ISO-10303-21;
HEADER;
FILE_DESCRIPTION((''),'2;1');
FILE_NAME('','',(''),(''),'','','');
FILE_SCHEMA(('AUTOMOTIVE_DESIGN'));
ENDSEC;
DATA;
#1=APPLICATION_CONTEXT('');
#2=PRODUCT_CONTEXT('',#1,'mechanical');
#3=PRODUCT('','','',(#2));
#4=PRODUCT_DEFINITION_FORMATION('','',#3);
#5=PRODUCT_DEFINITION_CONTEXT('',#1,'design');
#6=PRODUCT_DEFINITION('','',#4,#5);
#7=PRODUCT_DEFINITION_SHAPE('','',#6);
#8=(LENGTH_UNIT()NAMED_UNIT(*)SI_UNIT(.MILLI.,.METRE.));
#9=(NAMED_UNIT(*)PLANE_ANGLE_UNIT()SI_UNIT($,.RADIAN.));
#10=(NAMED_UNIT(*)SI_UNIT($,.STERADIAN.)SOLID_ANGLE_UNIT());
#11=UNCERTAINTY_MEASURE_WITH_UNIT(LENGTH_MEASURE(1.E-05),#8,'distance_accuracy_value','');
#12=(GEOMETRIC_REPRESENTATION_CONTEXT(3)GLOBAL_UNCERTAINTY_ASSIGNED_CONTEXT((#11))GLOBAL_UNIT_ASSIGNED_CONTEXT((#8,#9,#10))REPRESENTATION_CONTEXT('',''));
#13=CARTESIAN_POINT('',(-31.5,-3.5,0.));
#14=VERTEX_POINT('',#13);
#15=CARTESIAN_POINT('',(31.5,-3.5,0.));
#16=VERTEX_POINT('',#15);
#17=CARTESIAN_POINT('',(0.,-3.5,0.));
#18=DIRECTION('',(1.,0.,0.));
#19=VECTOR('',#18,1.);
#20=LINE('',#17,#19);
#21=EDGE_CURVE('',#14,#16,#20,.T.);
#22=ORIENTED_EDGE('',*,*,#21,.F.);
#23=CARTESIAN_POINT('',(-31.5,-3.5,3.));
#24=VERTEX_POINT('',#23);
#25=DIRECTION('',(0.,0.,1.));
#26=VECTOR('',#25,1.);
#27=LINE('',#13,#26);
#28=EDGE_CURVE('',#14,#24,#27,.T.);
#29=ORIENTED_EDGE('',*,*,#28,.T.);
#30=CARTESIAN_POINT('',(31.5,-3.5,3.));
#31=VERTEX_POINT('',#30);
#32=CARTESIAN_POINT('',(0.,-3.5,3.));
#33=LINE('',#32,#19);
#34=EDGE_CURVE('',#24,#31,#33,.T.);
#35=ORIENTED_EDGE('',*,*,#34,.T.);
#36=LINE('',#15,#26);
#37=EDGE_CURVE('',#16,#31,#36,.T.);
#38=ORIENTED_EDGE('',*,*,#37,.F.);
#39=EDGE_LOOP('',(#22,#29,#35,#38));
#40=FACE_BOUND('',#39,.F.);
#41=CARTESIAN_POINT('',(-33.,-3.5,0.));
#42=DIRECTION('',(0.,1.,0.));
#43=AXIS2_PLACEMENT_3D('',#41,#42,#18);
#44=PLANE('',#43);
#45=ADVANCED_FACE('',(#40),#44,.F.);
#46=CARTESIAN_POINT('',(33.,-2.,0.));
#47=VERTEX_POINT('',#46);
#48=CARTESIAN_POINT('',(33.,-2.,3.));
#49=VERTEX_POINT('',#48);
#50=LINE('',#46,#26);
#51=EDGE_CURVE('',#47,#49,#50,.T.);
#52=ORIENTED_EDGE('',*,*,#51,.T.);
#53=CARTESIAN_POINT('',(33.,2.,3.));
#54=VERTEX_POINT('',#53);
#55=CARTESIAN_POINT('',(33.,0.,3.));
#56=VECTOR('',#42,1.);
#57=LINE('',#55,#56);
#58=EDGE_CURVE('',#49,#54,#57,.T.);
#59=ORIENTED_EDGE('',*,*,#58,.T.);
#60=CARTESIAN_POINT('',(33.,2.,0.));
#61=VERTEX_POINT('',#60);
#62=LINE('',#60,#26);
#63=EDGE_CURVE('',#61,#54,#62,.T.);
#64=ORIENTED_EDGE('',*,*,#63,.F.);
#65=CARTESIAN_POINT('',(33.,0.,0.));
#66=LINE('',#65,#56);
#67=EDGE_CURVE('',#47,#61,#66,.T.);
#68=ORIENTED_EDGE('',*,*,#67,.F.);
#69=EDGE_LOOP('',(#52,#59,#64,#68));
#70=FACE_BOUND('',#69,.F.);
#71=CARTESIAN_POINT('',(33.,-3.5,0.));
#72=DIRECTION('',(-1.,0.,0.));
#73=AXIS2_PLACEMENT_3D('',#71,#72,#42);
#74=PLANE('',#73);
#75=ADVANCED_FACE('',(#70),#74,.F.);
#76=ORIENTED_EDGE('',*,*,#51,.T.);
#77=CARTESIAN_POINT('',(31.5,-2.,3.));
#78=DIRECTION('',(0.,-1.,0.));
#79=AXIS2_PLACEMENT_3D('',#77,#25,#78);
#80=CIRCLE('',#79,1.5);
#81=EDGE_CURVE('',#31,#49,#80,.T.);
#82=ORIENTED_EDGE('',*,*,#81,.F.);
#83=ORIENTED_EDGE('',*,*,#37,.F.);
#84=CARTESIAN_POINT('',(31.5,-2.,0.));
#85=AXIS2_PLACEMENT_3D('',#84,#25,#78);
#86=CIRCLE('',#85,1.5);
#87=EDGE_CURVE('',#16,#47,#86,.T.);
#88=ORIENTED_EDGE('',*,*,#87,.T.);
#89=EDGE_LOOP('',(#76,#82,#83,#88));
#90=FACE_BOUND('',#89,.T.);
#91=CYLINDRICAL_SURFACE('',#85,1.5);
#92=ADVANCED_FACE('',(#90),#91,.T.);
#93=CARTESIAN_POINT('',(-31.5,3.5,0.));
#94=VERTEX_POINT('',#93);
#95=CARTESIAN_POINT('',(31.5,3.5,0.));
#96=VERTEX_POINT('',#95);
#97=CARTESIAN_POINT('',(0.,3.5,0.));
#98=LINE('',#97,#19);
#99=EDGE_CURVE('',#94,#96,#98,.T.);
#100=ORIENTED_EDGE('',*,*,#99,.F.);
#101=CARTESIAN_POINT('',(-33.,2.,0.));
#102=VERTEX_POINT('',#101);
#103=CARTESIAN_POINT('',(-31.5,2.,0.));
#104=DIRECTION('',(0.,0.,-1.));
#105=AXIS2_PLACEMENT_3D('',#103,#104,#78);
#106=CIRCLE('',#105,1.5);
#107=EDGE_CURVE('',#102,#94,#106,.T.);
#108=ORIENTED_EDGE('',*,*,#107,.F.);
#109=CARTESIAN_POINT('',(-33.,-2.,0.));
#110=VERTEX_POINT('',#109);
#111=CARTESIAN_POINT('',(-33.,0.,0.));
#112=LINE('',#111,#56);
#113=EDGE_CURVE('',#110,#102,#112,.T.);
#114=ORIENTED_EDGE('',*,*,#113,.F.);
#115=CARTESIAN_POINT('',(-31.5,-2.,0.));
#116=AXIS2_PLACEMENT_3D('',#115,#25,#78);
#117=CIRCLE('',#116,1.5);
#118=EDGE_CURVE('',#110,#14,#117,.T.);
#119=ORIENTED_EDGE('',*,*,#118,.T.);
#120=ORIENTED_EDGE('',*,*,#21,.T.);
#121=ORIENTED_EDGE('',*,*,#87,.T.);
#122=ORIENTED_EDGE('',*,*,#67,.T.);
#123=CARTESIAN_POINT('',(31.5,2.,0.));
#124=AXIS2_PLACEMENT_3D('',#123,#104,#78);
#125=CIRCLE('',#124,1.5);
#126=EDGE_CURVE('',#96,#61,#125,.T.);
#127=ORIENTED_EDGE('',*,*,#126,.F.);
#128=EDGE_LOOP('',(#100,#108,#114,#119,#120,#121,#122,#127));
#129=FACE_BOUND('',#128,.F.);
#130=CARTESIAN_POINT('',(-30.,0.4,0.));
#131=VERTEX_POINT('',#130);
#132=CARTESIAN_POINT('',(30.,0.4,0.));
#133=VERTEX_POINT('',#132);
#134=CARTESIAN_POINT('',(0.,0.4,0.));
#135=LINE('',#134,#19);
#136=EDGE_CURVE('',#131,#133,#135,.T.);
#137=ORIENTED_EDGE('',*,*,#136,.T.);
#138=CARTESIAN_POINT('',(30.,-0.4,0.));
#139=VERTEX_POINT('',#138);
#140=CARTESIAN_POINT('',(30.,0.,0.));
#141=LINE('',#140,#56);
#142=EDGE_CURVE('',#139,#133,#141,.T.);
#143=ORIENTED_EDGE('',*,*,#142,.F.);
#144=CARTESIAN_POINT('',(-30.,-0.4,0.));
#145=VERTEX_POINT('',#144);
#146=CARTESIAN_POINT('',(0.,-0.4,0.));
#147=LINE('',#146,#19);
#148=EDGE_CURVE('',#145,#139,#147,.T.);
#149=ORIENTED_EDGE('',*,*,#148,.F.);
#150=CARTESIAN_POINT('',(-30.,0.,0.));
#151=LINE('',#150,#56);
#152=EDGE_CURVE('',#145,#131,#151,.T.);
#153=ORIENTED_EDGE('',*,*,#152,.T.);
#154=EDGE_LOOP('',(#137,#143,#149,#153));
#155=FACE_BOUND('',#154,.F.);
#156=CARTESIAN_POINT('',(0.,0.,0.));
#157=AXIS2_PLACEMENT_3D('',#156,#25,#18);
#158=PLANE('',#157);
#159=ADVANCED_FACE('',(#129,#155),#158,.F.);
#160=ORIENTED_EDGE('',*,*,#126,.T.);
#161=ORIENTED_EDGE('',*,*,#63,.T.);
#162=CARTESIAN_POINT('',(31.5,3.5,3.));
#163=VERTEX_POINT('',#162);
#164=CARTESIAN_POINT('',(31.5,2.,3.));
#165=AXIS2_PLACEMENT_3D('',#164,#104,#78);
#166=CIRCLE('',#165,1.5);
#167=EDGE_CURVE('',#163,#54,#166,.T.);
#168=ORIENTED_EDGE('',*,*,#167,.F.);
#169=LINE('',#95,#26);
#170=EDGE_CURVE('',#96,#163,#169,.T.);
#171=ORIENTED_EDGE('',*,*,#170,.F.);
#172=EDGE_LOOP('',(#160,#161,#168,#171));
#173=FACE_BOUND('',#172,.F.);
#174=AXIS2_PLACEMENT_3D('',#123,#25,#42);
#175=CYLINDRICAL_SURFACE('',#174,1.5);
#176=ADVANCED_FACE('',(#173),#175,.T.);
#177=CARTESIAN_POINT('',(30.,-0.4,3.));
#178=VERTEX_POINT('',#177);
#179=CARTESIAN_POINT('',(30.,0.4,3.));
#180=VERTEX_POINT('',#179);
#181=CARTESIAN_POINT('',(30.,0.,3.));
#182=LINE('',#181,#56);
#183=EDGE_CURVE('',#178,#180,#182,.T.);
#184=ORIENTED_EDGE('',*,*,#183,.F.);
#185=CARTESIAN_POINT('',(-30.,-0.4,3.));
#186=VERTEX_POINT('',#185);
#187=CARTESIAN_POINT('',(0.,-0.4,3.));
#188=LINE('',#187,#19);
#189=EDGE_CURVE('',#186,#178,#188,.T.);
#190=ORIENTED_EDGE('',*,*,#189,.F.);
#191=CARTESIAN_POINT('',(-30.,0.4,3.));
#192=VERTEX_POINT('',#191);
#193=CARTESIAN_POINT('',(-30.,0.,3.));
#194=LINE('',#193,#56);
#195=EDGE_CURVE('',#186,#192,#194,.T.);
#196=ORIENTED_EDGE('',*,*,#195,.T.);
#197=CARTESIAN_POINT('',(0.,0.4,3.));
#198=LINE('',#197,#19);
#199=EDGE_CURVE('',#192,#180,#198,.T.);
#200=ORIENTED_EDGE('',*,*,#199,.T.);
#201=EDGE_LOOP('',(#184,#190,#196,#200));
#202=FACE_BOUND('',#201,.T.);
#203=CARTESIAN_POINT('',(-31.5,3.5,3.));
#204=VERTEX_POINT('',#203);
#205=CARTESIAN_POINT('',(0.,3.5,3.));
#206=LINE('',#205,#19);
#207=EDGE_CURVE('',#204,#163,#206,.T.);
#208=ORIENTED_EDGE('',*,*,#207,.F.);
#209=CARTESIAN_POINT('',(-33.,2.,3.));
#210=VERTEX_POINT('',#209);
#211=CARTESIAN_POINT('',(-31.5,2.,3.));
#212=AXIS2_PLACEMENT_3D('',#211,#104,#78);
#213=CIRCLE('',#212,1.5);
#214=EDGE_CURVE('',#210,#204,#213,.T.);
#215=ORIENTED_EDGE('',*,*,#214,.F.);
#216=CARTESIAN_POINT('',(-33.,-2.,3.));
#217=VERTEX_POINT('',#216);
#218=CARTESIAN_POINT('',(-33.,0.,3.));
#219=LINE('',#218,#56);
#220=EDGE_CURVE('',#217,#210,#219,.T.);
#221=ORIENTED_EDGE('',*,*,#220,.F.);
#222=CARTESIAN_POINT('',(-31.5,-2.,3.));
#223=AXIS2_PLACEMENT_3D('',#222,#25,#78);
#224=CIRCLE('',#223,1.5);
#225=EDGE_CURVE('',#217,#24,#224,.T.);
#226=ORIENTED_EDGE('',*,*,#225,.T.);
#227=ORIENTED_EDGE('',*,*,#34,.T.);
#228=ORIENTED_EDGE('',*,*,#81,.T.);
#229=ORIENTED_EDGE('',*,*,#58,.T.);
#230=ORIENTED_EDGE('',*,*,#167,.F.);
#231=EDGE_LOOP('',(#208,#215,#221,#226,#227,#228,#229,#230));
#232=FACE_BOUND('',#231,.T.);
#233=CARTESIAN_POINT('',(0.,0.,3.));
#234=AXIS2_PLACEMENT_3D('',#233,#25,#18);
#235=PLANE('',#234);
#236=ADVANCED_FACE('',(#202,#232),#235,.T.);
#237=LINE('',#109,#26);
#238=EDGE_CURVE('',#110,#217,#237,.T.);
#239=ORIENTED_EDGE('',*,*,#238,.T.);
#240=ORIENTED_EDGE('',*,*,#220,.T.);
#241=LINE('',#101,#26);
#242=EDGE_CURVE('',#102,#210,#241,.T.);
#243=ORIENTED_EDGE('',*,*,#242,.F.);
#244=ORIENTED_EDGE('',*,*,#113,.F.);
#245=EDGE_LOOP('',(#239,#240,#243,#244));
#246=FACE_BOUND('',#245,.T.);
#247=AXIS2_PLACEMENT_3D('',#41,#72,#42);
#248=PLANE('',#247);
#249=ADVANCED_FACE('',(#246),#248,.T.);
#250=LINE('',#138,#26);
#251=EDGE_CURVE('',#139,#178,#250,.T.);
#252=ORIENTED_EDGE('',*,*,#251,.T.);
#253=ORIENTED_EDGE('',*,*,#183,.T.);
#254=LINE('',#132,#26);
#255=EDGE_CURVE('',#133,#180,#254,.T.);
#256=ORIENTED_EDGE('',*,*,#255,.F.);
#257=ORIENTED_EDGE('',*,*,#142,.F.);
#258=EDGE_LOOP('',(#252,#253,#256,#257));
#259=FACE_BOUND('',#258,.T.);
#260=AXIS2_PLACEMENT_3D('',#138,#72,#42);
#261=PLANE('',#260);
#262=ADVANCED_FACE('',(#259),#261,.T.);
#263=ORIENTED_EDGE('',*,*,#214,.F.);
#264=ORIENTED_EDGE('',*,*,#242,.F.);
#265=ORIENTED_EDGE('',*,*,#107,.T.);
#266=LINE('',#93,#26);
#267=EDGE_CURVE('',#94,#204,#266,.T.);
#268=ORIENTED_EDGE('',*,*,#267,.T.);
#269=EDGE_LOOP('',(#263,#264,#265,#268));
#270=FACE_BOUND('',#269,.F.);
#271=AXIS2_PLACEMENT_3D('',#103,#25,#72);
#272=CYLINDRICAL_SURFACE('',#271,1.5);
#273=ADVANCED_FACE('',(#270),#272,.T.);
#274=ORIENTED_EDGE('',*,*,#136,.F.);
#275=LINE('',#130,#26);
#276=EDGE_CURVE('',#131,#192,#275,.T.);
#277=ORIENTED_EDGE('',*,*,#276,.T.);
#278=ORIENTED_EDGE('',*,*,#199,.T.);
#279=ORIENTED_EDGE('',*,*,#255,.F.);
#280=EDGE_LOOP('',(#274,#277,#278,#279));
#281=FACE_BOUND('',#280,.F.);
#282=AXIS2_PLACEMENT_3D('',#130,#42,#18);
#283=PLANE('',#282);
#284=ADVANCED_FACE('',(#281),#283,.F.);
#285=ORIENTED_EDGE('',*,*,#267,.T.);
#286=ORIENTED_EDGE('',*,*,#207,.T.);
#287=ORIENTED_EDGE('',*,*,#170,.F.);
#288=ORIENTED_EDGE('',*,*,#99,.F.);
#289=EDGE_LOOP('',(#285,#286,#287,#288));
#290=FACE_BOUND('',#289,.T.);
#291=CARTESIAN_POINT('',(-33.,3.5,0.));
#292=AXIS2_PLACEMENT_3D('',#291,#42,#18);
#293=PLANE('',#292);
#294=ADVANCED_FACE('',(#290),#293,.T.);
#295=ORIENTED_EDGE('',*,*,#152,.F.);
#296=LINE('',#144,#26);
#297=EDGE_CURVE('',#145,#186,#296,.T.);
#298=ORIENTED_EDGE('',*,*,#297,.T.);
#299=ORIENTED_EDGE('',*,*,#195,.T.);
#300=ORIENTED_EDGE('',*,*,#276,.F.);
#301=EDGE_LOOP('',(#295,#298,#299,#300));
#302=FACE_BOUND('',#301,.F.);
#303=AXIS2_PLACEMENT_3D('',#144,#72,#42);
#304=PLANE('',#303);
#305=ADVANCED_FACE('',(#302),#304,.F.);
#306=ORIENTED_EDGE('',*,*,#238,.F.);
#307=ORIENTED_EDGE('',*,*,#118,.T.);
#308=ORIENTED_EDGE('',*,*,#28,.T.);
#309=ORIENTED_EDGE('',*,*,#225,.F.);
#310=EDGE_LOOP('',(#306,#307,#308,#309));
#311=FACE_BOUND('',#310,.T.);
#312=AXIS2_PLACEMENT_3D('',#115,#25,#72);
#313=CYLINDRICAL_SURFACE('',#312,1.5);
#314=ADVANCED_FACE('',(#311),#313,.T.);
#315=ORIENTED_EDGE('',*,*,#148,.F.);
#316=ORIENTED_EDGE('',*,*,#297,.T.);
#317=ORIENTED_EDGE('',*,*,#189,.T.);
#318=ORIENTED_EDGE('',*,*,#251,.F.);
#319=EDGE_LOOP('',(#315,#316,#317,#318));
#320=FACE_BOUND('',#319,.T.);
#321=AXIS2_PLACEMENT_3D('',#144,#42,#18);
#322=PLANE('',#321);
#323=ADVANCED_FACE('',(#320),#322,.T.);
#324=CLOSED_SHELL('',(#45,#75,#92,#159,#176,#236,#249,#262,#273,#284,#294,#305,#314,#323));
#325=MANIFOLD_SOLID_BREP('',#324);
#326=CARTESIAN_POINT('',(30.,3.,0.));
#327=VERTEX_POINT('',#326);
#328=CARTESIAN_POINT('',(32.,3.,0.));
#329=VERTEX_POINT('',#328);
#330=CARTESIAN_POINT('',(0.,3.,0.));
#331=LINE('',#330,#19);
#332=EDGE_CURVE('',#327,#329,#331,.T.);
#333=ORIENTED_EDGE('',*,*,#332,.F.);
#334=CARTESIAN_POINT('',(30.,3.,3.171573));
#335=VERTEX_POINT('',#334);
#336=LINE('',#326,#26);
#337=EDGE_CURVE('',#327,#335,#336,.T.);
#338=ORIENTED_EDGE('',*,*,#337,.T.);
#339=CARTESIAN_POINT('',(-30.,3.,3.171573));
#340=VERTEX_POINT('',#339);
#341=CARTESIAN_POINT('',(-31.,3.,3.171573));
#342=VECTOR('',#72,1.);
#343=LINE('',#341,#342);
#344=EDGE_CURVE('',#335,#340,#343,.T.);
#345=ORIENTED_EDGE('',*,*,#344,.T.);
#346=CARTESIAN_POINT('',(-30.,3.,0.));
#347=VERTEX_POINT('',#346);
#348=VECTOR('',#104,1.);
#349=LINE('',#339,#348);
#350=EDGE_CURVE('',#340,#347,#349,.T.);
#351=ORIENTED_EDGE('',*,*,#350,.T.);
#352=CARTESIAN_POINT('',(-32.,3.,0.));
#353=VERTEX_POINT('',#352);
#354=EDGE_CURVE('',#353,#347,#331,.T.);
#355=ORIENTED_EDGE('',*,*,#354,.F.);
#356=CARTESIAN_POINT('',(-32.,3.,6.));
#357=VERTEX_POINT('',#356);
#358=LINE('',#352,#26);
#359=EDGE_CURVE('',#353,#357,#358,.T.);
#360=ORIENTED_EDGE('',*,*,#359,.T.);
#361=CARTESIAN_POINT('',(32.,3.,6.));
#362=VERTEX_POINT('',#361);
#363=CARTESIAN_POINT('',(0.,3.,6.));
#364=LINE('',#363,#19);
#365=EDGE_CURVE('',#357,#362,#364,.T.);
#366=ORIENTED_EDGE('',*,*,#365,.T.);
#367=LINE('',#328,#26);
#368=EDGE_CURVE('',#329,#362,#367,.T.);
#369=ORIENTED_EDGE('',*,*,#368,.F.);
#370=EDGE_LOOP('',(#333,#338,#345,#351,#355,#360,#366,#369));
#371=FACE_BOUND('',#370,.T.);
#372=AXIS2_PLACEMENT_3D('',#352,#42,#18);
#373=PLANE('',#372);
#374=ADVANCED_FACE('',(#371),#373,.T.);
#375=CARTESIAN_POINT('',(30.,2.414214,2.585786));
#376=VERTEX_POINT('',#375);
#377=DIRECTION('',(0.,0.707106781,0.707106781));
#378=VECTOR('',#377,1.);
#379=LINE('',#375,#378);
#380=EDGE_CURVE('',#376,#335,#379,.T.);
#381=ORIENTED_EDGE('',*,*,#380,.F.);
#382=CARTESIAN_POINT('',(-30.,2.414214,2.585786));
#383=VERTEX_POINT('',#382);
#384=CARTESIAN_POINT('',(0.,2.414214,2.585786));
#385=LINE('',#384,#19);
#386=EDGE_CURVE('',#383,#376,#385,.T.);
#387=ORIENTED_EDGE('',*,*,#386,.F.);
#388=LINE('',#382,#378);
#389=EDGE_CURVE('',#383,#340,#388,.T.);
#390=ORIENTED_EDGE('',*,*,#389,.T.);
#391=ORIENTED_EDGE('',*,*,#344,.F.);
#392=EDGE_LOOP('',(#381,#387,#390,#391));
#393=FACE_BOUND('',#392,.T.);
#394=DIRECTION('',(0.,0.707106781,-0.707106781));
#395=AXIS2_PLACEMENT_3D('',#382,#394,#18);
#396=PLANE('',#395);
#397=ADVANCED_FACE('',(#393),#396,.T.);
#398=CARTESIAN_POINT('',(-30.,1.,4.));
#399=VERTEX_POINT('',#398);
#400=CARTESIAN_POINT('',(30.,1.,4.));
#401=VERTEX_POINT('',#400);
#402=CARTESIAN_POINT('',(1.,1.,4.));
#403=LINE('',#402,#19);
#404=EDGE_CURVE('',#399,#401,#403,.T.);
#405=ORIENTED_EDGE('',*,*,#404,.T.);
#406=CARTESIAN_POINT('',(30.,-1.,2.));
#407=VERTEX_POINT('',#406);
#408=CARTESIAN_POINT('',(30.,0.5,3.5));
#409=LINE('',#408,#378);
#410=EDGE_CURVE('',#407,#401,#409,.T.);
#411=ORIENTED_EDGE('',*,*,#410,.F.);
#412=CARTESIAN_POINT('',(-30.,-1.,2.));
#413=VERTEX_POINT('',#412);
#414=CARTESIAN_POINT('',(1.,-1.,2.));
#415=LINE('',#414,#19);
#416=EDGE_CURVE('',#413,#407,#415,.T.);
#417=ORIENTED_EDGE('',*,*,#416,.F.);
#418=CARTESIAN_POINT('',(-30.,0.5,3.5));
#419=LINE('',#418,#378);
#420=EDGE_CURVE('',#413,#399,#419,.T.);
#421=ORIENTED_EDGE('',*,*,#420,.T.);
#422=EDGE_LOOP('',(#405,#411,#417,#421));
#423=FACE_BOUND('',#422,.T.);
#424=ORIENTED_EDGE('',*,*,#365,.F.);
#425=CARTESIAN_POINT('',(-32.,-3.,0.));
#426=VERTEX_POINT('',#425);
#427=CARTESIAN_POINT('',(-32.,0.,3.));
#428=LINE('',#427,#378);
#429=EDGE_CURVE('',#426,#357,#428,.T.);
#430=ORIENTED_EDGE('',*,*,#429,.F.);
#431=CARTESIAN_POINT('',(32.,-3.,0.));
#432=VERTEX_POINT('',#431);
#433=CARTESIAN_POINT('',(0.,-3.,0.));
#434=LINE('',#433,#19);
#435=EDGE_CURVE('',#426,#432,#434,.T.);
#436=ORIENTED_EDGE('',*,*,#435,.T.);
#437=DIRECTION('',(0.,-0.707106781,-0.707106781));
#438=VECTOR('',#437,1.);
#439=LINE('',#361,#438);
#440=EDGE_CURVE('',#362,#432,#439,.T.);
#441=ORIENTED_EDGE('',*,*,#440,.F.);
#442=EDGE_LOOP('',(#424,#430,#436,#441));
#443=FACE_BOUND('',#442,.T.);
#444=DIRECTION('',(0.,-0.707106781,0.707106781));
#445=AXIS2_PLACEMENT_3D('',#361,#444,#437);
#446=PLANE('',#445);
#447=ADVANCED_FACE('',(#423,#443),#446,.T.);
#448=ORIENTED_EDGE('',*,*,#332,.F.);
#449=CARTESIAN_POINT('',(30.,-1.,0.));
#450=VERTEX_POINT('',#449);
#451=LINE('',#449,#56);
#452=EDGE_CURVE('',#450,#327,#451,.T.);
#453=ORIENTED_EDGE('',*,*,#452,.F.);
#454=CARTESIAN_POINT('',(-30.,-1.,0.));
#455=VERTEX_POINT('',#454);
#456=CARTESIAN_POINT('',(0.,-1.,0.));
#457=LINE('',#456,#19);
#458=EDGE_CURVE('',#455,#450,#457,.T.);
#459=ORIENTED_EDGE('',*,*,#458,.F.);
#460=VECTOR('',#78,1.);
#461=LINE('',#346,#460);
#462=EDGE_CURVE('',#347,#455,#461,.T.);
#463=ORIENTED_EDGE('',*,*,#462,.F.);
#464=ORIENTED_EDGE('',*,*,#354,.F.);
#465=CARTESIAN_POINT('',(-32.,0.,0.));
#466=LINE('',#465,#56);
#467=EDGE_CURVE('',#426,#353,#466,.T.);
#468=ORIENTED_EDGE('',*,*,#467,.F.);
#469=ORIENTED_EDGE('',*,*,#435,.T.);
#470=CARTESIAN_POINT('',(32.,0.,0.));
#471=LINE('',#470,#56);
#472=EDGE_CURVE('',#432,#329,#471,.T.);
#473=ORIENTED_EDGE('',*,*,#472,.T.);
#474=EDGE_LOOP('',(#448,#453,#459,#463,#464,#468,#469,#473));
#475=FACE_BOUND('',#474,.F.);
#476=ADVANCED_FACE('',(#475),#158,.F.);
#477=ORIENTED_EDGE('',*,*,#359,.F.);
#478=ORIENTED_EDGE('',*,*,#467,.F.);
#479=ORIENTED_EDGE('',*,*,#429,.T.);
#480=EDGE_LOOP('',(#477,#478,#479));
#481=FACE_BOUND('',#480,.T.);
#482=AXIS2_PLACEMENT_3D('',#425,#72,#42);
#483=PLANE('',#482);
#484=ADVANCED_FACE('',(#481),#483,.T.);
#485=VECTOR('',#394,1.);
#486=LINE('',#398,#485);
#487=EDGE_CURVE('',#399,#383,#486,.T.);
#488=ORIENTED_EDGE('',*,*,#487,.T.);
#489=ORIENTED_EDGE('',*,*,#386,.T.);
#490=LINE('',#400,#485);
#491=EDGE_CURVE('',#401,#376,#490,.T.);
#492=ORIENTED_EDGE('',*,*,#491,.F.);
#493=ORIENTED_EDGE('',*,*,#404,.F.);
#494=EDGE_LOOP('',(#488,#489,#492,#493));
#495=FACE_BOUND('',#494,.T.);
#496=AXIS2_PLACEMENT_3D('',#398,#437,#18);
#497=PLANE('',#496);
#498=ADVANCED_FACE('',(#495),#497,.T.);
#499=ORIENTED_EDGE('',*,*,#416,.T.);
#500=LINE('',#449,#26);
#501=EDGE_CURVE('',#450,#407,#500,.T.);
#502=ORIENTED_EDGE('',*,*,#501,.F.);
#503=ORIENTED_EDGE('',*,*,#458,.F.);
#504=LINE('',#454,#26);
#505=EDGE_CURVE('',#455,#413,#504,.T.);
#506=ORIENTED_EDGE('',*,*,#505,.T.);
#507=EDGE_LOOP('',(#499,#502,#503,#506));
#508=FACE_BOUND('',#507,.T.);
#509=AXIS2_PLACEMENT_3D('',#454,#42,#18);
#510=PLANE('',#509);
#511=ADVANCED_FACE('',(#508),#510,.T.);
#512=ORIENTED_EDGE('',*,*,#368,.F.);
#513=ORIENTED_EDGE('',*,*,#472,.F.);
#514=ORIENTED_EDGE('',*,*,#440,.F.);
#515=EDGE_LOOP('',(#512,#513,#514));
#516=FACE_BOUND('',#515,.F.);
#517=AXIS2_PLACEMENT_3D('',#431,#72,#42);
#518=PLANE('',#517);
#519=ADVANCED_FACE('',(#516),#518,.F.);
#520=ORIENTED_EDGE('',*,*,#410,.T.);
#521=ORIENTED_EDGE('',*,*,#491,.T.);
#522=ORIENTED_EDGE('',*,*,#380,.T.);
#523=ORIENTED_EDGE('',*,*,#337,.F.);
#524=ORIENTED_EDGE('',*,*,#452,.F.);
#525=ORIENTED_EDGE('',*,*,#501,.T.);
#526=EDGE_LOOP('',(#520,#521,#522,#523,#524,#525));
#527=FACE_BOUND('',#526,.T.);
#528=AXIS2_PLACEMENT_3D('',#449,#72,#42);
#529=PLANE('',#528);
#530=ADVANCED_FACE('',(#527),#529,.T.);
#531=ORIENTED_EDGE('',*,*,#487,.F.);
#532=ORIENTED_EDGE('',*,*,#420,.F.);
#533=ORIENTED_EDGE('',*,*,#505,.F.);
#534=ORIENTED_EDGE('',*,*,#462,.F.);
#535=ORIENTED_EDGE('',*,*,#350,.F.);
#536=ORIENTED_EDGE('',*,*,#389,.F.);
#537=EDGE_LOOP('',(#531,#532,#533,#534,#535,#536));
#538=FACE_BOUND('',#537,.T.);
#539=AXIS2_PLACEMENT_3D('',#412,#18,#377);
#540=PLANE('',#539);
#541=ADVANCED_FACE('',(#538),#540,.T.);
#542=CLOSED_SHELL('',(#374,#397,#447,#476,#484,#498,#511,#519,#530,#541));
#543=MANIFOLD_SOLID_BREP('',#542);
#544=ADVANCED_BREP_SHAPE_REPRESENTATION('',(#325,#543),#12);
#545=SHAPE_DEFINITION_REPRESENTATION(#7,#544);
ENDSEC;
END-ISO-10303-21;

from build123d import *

# Parameters (mm, degrees)
SKETCH_W        = 64
SKETCH_H        = 6
SKETCH_W_2      = 60
SKETCH_H_2      = 2
PAD_DEPTH       = 6
POCKET_DEPTH    = 64.001
SKETCH002_W     = 60
SKETCH002_H     = 2.8284271247
POCKET001_DEPTH = 4.2436406871
SKETCH003_W     = 60
SKETCH003_H     = 0.8284271247
POCKET002_DEPTH = 2.8294271247
SKETCH004_W     = 66
SKETCH004_H     = 7
SKETCH004_W_2   = 60
SKETCH004_H_2   = 0.8
PAD001_DEPTH    = 3
FILLET_R        = 1.5


with BuildPart() as body:
    # Sketch → Pad (new body)
    with BuildSketch(Plane.XY):
        Rectangle(SKETCH_W, SKETCH_H)
        Rectangle(SKETCH_W_2, SKETCH_H_2, mode=Mode.SUBTRACT)
    extrude(amount=PAD_DEPTH)

    # Sketch001 (on Face2 of Pad) → Pocket (cut, through all)
    with BuildSketch(Plane.YZ.offset(32)):
        Polygon((-3, 0), (-3, 6), (3, 6), align=None)
    extrude(amount=-POCKET_DEPTH, mode=Mode.SUBTRACT)

    # Sketch002 (on Face5 of Pocket) → Pocket001 (cut, through all)
    with BuildSketch(Plane(origin=(0, -1.5, 1.5), x_dir=(1, 0, 0), z_dir=(0, -0.7071067812, 0.7071067812))):
        with Locations((0, 2.1213203436)):
            Rectangle(SKETCH002_W, SKETCH002_H)
    extrude(amount=-POCKET001_DEPTH, mode=Mode.SUBTRACT)

    # Sketch003 (on Face3 of Pocket001) → Pocket002 (cut, through all)
    with BuildSketch(Plane(origin=(0, 2.5, 2.5), x_dir=(1, 0, 0), z_dir=(0, -0.7071067812, -0.7071067812))):
        with Locations((0, -0.2928932188)):
            Rectangle(SKETCH003_W, SKETCH003_H)
    extrude(amount=-POCKET002_DEPTH, mode=Mode.SUBTRACT)


with BuildPart() as body001:
    # Sketch004 → Pad001 (new body)
    with BuildSketch(Plane.XY):
        Rectangle(SKETCH004_W, SKETCH004_H)
        Rectangle(SKETCH004_W_2, SKETCH004_H_2, mode=Mode.SUBTRACT)
    extrude(amount=PAD001_DEPTH)

    # Fillet
    fillet_edges = [body001.edges().sort_by_distance(p)[0] for p in [
        (-33, 3.5, 1.5),
        (-33, -3.5, 1.5),
        (33, 3.5, 1.5),
        (33, -3.5, 1.5),
    ]]
    fillet(fillet_edges, radius=FILLET_R)


solid = Compound([body.part, body001.part])
